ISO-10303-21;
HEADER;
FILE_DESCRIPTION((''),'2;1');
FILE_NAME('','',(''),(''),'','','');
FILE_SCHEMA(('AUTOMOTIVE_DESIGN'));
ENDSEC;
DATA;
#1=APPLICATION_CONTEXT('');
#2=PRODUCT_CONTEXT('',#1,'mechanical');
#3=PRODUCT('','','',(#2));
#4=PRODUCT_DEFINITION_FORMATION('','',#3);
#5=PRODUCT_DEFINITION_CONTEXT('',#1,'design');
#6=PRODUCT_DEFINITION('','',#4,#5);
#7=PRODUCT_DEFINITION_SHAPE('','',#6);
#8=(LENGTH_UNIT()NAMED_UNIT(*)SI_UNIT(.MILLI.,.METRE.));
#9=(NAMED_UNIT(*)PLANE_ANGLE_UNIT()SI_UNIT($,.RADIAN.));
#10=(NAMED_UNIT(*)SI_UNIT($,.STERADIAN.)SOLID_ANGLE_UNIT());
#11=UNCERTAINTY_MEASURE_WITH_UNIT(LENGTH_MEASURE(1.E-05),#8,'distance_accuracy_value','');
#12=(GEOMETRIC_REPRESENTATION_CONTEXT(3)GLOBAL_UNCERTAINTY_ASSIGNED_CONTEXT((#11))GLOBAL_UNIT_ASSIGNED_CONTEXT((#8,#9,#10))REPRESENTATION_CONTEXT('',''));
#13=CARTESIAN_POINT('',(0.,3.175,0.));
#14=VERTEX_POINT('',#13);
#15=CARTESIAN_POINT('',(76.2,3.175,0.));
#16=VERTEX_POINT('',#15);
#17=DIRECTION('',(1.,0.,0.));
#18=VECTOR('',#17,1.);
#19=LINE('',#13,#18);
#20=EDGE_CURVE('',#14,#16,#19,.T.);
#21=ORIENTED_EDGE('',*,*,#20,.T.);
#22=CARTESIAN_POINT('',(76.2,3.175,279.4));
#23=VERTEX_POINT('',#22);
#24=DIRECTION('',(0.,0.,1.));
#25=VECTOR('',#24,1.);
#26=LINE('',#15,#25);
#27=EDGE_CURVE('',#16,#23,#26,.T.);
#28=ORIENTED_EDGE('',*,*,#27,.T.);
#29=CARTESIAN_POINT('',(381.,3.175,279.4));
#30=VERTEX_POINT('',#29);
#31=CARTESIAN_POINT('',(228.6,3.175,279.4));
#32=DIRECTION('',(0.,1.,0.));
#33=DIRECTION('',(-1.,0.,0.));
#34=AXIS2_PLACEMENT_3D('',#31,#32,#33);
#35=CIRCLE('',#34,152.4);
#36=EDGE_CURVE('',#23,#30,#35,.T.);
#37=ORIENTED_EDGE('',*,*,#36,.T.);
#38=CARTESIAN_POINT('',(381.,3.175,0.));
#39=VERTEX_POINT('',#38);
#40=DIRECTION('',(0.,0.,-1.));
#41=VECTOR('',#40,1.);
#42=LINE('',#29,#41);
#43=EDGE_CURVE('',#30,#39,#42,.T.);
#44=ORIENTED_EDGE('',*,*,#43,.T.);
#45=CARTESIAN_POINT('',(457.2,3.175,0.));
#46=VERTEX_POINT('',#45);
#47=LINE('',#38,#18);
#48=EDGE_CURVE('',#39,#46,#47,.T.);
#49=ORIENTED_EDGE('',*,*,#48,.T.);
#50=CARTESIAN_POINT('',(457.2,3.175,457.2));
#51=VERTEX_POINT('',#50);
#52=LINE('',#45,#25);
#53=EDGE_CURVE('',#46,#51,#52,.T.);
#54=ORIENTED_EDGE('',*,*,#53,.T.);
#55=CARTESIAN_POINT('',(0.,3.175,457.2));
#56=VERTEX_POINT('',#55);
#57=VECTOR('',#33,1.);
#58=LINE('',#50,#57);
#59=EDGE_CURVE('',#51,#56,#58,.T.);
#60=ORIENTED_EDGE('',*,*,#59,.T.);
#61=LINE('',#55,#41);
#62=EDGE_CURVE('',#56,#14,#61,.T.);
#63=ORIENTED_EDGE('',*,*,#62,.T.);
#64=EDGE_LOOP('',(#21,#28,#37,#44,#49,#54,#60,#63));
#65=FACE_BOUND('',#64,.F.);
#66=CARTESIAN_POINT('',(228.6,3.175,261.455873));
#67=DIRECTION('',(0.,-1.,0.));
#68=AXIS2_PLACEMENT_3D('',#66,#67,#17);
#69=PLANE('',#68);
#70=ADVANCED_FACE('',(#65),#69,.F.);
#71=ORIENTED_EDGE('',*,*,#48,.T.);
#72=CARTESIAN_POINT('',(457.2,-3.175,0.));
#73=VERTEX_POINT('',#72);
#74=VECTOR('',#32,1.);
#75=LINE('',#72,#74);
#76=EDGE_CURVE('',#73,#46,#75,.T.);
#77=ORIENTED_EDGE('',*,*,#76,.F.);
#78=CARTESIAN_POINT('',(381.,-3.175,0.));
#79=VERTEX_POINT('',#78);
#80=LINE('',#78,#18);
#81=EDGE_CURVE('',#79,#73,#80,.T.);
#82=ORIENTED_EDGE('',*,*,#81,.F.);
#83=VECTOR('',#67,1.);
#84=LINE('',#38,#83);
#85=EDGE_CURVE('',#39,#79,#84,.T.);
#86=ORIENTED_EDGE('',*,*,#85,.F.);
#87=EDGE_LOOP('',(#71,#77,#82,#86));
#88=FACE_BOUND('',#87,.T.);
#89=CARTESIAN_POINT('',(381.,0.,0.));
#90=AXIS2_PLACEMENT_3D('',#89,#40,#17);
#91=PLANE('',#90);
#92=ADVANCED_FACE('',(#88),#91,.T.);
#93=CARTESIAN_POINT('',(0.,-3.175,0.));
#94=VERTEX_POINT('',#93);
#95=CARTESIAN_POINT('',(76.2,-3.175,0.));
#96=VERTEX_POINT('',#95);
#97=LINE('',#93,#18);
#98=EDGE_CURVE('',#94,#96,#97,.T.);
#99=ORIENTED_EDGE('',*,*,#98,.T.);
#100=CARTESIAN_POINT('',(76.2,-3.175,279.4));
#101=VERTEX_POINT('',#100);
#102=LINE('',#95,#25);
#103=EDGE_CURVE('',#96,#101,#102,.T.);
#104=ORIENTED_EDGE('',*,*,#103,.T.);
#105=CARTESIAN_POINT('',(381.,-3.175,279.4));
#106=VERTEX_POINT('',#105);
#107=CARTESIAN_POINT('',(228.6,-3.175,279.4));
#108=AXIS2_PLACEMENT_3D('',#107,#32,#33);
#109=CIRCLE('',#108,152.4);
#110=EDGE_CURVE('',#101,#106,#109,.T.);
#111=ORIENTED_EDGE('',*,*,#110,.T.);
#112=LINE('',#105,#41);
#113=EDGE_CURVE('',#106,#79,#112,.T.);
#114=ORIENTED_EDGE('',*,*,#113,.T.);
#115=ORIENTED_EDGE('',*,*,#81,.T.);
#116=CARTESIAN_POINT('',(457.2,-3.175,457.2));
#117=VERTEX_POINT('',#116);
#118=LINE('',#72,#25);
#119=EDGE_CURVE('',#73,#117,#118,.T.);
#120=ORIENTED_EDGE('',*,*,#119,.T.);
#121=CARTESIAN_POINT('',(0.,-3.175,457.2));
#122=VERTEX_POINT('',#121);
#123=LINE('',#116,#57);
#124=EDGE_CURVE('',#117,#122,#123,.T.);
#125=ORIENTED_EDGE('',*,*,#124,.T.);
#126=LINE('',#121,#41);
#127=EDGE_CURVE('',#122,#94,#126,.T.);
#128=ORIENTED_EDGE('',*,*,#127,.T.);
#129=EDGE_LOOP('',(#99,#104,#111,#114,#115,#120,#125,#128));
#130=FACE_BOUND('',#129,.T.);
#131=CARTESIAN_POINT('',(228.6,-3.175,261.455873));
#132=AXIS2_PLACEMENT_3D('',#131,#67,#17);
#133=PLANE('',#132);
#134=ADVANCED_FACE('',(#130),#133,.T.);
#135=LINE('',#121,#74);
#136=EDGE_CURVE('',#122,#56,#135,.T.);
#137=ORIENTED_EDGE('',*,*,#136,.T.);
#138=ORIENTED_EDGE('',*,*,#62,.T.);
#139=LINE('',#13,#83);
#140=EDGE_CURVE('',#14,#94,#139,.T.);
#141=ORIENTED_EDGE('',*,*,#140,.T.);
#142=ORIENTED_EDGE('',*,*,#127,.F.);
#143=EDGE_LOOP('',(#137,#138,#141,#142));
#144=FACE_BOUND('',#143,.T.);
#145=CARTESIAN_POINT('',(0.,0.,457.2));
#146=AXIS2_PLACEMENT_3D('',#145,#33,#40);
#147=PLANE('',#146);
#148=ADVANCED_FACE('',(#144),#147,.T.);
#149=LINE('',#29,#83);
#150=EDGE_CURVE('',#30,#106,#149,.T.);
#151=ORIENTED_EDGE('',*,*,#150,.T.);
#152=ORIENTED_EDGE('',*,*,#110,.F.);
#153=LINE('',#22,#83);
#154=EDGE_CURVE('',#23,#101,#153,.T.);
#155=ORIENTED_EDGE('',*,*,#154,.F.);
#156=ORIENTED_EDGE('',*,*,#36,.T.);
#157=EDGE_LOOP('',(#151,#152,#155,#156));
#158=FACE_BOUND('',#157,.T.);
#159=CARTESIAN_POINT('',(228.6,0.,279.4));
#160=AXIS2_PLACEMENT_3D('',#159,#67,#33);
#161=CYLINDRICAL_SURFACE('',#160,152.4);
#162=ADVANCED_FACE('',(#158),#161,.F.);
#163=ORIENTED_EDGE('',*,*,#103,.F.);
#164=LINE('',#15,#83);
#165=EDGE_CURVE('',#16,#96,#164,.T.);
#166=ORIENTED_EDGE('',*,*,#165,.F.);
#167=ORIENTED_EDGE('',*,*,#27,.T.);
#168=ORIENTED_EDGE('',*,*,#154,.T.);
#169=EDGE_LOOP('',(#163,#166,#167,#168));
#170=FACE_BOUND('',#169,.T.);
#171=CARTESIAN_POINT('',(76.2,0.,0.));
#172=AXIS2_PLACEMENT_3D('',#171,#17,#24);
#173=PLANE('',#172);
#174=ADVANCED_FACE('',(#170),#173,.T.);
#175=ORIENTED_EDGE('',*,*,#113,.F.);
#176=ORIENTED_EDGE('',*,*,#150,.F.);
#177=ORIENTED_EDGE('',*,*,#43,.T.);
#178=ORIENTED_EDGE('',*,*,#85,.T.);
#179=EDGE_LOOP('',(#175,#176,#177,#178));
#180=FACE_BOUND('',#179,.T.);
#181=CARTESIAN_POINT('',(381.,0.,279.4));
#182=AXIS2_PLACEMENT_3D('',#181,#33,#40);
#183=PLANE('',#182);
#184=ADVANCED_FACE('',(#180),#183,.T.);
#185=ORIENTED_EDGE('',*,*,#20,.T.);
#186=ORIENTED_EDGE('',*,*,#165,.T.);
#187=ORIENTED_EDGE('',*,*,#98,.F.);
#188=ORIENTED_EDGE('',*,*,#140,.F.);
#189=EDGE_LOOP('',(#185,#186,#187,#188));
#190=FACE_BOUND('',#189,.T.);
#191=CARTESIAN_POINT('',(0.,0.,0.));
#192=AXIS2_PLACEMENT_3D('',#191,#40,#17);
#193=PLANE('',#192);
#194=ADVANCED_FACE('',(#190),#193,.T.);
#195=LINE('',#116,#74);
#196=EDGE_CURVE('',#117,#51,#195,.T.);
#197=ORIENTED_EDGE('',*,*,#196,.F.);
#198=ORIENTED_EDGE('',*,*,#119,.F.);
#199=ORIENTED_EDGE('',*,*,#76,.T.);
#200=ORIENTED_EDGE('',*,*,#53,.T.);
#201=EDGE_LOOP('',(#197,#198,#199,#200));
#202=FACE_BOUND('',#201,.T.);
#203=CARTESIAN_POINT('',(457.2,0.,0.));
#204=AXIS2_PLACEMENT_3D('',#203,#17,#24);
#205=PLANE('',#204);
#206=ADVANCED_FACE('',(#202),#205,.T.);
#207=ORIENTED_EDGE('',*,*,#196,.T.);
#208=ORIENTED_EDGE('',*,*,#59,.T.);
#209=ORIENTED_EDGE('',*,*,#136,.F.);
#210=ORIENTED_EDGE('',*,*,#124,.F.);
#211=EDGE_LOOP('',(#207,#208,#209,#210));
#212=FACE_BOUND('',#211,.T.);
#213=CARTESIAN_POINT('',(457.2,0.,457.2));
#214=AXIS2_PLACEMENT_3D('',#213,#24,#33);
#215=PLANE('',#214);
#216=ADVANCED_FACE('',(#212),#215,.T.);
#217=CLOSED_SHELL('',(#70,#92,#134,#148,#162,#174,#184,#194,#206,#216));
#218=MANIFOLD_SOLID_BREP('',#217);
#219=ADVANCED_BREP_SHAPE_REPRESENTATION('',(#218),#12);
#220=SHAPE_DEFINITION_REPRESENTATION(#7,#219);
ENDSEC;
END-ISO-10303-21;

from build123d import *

# Parameters (mm, degrees)
F1_DEPTH = 3.175


with BuildPart() as f1:
    # F0 (on Front) → F1 (new body, symmetric)
    with BuildSketch(Plane.XZ):
        with BuildLine():
            Line((0, 457.2), (0, 0))
            Line((0, 0), (76.2, 0))
            Line((76.2, 0), (76.2, 279.4))
            ThreePointArc((76.2, 279.4), (228.6, 431.8), (381, 279.4))
            Line((381, 279.4), (381, 0))
            Line((381, 0), (457.2, 0))
            Line((457.2, 0), (457.2, 457.2))
            Line((457.2, 457.2), (0, 457.2))
        make_face()
    extrude(amount=F1_DEPTH, both=True)


solid = f1.part
